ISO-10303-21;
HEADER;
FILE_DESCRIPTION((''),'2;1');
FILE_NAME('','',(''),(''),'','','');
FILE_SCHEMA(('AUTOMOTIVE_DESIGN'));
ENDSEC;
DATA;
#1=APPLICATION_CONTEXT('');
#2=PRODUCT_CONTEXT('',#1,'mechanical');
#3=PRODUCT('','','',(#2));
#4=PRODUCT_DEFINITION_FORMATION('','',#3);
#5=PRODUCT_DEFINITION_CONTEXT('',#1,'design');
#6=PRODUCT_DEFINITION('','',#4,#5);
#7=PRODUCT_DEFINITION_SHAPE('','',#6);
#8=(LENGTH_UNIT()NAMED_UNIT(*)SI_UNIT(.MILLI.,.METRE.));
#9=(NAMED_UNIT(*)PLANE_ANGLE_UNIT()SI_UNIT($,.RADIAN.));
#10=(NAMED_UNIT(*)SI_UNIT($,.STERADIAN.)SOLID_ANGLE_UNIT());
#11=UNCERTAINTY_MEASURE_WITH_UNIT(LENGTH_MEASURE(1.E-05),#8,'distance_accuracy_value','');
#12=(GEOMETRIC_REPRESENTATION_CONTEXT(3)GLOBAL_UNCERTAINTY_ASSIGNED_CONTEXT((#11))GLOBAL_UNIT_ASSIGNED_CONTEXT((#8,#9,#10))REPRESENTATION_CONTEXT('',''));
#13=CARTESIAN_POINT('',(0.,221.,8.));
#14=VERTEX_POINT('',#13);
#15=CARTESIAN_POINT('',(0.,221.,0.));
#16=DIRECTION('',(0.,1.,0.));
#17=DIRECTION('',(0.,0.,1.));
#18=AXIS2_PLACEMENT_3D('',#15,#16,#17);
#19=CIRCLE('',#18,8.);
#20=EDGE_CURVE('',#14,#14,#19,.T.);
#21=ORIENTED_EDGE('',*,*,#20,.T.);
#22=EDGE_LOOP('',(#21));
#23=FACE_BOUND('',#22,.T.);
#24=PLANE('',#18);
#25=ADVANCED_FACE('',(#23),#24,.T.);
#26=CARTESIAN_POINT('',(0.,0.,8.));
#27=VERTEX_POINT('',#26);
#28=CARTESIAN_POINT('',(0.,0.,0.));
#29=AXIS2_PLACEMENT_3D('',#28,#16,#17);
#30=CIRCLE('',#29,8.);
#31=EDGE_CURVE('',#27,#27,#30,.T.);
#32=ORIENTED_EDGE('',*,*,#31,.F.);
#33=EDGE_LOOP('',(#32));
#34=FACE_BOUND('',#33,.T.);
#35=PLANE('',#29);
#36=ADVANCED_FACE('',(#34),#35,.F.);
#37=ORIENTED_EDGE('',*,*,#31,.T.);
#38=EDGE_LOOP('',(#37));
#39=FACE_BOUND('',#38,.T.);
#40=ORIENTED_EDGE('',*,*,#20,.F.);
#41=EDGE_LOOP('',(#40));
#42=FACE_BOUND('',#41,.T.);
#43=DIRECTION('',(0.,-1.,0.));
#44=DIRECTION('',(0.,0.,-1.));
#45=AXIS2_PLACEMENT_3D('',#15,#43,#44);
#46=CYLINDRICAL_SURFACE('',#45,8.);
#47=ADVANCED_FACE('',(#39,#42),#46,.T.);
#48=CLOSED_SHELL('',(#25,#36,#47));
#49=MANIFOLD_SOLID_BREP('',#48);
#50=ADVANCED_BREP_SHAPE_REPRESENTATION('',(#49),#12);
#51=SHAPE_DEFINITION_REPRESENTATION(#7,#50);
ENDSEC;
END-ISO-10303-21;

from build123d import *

# Parameters (mm, degrees)
SKETCH1_R           = 8
BOSS_EXTRUDE1_DEPTH = 221


with BuildPart() as part:
    # Sketch1 → Boss-Extrude1 (new body)
    with BuildSketch(Plane(origin=(0, 0, 0), x_dir=(1, 0, 0), z_dir=(0, 1, 0))):
        Circle(SKETCH1_R)
    extrude(amount=BOSS_EXTRUDE1_DEPTH)


solid = part.part
